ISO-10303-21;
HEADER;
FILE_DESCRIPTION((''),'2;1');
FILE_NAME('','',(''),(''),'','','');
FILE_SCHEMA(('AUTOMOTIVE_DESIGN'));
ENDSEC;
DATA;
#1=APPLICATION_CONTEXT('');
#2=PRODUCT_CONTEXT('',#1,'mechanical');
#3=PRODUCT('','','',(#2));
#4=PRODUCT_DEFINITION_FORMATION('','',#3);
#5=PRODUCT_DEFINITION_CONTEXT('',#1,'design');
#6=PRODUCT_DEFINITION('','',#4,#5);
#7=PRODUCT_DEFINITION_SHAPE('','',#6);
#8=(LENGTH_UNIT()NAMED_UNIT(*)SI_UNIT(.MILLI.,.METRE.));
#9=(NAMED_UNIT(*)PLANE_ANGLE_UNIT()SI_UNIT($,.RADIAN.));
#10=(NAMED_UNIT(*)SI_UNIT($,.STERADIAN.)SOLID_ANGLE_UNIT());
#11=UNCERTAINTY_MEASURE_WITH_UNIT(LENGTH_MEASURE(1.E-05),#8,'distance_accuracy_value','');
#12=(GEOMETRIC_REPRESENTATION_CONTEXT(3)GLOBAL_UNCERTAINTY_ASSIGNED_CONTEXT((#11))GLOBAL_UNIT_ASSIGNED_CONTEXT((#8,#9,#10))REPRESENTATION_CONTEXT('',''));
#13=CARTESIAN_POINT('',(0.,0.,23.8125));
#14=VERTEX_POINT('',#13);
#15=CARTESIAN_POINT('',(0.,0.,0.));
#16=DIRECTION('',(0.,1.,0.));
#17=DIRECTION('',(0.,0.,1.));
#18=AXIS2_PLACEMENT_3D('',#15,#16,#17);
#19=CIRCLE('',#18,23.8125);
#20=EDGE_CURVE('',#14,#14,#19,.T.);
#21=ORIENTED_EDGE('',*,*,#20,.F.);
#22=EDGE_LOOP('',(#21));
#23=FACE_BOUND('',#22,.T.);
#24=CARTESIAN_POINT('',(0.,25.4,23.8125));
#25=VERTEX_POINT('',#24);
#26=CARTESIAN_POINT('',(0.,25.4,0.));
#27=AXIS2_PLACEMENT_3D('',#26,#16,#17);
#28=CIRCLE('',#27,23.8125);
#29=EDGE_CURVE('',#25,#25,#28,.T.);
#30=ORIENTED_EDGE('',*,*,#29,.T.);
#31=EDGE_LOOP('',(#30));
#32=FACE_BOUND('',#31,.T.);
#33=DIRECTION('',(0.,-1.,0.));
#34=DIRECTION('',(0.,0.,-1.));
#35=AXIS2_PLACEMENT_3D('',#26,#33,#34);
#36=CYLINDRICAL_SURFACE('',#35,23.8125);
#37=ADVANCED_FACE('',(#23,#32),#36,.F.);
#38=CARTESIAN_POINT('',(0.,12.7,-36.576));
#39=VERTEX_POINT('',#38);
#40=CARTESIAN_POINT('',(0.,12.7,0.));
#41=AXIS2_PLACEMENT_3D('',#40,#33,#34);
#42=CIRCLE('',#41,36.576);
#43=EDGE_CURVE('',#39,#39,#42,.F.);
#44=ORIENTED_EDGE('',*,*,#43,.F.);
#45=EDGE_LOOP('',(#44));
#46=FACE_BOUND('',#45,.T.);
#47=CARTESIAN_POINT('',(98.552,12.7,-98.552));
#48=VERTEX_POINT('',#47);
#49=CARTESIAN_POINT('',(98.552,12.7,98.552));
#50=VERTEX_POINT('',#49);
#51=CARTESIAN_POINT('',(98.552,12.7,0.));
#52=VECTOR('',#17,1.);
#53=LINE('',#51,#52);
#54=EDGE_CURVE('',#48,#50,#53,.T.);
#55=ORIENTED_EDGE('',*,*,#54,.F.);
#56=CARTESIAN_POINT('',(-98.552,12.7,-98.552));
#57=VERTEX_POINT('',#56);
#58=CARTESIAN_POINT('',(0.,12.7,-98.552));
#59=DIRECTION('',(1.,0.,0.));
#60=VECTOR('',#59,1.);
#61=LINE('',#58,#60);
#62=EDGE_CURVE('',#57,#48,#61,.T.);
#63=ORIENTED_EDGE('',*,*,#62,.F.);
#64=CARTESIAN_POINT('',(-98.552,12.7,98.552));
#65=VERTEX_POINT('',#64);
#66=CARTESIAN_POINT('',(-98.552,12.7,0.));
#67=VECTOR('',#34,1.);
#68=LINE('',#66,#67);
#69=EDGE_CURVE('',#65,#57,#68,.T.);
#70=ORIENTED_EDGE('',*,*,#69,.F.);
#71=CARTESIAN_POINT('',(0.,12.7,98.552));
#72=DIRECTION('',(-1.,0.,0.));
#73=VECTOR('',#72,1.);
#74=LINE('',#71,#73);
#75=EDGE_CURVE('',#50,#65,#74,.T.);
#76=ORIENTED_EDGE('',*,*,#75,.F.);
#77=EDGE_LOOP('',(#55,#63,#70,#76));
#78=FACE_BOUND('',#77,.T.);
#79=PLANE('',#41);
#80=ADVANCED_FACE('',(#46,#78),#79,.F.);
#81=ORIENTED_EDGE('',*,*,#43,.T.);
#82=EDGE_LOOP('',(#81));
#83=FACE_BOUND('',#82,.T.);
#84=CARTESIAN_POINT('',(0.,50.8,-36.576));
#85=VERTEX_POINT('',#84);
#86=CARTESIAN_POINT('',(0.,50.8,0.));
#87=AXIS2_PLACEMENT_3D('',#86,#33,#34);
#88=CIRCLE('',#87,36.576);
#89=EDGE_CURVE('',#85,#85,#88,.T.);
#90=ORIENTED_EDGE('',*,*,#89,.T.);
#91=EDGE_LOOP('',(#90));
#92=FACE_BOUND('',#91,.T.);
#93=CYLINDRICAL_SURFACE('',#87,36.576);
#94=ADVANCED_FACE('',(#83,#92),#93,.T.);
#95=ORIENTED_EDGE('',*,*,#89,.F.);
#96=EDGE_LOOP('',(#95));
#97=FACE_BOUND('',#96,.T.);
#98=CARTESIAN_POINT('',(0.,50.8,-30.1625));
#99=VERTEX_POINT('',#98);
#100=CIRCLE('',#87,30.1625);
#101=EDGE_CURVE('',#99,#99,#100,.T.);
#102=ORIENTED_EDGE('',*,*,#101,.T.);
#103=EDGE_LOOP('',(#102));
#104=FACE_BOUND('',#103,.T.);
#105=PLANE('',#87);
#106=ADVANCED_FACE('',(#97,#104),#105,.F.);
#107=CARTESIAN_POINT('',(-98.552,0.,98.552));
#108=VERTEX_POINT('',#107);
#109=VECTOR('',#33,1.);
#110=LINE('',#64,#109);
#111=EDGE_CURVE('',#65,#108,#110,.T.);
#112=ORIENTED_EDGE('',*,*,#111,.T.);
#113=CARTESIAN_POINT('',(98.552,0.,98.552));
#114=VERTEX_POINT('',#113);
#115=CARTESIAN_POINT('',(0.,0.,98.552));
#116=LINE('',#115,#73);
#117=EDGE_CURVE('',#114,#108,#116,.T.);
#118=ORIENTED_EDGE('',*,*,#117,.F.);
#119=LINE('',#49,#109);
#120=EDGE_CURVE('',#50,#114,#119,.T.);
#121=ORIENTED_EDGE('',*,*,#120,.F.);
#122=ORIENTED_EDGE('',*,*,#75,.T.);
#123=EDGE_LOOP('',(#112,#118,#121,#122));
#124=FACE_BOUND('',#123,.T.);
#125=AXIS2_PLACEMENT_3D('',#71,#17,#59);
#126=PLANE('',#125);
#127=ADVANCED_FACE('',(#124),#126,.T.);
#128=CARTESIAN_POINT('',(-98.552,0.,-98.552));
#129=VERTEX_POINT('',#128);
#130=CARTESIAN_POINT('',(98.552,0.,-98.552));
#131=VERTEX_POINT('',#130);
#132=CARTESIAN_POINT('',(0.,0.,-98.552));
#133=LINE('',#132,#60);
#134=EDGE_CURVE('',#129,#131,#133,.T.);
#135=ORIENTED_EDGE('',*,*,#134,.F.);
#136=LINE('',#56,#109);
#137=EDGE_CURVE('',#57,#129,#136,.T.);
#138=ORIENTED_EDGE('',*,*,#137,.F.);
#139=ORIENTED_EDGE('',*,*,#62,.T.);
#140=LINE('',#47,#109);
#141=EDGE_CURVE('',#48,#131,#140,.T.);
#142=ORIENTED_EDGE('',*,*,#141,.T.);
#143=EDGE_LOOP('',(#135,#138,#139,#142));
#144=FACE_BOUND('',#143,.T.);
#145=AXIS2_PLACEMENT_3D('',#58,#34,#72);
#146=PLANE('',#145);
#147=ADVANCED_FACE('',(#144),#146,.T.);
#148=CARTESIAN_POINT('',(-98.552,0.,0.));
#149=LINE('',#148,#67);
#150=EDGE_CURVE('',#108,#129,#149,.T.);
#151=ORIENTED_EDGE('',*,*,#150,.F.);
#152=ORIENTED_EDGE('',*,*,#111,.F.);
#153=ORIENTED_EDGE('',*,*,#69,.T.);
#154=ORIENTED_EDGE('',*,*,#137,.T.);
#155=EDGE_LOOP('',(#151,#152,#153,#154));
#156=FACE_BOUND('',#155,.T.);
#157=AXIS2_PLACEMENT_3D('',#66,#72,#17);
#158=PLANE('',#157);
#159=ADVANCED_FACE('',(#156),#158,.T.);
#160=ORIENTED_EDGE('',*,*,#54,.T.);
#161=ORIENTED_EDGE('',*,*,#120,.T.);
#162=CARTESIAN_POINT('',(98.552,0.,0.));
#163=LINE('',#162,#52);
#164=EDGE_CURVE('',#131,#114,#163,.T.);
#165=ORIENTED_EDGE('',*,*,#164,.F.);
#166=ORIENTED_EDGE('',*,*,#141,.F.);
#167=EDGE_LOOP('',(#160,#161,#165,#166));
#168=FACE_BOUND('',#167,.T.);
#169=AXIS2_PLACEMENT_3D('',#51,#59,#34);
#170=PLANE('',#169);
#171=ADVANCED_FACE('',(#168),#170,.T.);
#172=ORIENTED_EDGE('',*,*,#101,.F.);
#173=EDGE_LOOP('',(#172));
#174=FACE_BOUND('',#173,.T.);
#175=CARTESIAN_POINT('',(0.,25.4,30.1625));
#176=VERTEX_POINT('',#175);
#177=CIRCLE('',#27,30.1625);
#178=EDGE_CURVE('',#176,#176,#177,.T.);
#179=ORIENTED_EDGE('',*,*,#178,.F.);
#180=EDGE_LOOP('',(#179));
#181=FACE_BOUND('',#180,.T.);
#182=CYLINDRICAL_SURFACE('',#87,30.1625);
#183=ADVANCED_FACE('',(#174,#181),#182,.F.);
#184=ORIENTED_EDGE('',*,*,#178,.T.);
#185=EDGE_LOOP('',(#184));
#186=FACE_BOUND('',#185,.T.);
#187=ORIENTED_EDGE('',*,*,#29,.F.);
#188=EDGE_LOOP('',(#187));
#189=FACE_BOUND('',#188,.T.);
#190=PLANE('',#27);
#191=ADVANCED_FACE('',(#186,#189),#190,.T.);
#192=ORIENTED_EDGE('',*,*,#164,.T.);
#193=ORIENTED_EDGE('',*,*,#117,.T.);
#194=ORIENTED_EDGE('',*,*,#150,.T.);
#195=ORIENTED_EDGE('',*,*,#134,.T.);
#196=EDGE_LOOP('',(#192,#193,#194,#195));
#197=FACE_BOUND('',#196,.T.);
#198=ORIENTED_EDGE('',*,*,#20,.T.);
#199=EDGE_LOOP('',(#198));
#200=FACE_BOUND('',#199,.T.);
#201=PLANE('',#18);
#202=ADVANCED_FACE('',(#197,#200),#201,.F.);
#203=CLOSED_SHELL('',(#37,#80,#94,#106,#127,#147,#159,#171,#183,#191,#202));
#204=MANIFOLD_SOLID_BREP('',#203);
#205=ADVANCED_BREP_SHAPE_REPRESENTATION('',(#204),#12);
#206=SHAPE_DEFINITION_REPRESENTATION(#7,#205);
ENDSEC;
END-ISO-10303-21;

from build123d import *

# Parameters (mm, degrees)
SKETCH1_R           = 30.1625
SKETCH1_R_2         = 23.8125
ID_2_DEPTH          = 25.4
SKETCH2_R           = 36.576
SKETCH2_R_2         = 30.1625
OD_DEPTH            = 50.8
SKETCH4_R           = 23.8125
BOSS_EXTRUDE3_DEPTH = 12.7


with BuildPart() as part:
    # Sketch1 → ID 2 (new body)
    with BuildSketch(Plane(origin=(0, 0, 0), x_dir=(1, 0, 0), z_dir=(0, 1, 0))):
        with Locations(Location((0, 0, 0), (0, 0, 270))):
            Circle(SKETCH1_R)
        with Locations(Location((0, 0, 0), (0, 0, 270))):
            Circle(SKETCH1_R_2, mode=Mode.SUBTRACT)
    extrude(amount=ID_2_DEPTH)

    # Sketch2 → OD (add)
    with BuildSketch(Plane.XZ):
        with Locations(Location((0, 0, 0), (0, 0, 270))):
            Circle(SKETCH2_R)
        with Locations(Location((0, 0, 0), (0, 0, 270))):
            Circle(SKETCH2_R_2, mode=Mode.SUBTRACT)
    extrude(amount=-OD_DEPTH)

    # Sketch4 → Boss-Extrude3 (add)
    with BuildSketch(Plane.XZ):
        Polygon((0, 98.552), (-98.552, 98.552), (-98.552, 0), (-98.552, -98.552), (0, -98.552), (98.552, -98.552), (98.552, 0), (98.552, 98.552), align=None)
        with Locations(Location((0, 0, 0), (0, 0, 90))):
            Circle(SKETCH4_R, mode=Mode.SUBTRACT)
    extrude(amount=-BOSS_EXTRUDE3_DEPTH)


solid = part.part
